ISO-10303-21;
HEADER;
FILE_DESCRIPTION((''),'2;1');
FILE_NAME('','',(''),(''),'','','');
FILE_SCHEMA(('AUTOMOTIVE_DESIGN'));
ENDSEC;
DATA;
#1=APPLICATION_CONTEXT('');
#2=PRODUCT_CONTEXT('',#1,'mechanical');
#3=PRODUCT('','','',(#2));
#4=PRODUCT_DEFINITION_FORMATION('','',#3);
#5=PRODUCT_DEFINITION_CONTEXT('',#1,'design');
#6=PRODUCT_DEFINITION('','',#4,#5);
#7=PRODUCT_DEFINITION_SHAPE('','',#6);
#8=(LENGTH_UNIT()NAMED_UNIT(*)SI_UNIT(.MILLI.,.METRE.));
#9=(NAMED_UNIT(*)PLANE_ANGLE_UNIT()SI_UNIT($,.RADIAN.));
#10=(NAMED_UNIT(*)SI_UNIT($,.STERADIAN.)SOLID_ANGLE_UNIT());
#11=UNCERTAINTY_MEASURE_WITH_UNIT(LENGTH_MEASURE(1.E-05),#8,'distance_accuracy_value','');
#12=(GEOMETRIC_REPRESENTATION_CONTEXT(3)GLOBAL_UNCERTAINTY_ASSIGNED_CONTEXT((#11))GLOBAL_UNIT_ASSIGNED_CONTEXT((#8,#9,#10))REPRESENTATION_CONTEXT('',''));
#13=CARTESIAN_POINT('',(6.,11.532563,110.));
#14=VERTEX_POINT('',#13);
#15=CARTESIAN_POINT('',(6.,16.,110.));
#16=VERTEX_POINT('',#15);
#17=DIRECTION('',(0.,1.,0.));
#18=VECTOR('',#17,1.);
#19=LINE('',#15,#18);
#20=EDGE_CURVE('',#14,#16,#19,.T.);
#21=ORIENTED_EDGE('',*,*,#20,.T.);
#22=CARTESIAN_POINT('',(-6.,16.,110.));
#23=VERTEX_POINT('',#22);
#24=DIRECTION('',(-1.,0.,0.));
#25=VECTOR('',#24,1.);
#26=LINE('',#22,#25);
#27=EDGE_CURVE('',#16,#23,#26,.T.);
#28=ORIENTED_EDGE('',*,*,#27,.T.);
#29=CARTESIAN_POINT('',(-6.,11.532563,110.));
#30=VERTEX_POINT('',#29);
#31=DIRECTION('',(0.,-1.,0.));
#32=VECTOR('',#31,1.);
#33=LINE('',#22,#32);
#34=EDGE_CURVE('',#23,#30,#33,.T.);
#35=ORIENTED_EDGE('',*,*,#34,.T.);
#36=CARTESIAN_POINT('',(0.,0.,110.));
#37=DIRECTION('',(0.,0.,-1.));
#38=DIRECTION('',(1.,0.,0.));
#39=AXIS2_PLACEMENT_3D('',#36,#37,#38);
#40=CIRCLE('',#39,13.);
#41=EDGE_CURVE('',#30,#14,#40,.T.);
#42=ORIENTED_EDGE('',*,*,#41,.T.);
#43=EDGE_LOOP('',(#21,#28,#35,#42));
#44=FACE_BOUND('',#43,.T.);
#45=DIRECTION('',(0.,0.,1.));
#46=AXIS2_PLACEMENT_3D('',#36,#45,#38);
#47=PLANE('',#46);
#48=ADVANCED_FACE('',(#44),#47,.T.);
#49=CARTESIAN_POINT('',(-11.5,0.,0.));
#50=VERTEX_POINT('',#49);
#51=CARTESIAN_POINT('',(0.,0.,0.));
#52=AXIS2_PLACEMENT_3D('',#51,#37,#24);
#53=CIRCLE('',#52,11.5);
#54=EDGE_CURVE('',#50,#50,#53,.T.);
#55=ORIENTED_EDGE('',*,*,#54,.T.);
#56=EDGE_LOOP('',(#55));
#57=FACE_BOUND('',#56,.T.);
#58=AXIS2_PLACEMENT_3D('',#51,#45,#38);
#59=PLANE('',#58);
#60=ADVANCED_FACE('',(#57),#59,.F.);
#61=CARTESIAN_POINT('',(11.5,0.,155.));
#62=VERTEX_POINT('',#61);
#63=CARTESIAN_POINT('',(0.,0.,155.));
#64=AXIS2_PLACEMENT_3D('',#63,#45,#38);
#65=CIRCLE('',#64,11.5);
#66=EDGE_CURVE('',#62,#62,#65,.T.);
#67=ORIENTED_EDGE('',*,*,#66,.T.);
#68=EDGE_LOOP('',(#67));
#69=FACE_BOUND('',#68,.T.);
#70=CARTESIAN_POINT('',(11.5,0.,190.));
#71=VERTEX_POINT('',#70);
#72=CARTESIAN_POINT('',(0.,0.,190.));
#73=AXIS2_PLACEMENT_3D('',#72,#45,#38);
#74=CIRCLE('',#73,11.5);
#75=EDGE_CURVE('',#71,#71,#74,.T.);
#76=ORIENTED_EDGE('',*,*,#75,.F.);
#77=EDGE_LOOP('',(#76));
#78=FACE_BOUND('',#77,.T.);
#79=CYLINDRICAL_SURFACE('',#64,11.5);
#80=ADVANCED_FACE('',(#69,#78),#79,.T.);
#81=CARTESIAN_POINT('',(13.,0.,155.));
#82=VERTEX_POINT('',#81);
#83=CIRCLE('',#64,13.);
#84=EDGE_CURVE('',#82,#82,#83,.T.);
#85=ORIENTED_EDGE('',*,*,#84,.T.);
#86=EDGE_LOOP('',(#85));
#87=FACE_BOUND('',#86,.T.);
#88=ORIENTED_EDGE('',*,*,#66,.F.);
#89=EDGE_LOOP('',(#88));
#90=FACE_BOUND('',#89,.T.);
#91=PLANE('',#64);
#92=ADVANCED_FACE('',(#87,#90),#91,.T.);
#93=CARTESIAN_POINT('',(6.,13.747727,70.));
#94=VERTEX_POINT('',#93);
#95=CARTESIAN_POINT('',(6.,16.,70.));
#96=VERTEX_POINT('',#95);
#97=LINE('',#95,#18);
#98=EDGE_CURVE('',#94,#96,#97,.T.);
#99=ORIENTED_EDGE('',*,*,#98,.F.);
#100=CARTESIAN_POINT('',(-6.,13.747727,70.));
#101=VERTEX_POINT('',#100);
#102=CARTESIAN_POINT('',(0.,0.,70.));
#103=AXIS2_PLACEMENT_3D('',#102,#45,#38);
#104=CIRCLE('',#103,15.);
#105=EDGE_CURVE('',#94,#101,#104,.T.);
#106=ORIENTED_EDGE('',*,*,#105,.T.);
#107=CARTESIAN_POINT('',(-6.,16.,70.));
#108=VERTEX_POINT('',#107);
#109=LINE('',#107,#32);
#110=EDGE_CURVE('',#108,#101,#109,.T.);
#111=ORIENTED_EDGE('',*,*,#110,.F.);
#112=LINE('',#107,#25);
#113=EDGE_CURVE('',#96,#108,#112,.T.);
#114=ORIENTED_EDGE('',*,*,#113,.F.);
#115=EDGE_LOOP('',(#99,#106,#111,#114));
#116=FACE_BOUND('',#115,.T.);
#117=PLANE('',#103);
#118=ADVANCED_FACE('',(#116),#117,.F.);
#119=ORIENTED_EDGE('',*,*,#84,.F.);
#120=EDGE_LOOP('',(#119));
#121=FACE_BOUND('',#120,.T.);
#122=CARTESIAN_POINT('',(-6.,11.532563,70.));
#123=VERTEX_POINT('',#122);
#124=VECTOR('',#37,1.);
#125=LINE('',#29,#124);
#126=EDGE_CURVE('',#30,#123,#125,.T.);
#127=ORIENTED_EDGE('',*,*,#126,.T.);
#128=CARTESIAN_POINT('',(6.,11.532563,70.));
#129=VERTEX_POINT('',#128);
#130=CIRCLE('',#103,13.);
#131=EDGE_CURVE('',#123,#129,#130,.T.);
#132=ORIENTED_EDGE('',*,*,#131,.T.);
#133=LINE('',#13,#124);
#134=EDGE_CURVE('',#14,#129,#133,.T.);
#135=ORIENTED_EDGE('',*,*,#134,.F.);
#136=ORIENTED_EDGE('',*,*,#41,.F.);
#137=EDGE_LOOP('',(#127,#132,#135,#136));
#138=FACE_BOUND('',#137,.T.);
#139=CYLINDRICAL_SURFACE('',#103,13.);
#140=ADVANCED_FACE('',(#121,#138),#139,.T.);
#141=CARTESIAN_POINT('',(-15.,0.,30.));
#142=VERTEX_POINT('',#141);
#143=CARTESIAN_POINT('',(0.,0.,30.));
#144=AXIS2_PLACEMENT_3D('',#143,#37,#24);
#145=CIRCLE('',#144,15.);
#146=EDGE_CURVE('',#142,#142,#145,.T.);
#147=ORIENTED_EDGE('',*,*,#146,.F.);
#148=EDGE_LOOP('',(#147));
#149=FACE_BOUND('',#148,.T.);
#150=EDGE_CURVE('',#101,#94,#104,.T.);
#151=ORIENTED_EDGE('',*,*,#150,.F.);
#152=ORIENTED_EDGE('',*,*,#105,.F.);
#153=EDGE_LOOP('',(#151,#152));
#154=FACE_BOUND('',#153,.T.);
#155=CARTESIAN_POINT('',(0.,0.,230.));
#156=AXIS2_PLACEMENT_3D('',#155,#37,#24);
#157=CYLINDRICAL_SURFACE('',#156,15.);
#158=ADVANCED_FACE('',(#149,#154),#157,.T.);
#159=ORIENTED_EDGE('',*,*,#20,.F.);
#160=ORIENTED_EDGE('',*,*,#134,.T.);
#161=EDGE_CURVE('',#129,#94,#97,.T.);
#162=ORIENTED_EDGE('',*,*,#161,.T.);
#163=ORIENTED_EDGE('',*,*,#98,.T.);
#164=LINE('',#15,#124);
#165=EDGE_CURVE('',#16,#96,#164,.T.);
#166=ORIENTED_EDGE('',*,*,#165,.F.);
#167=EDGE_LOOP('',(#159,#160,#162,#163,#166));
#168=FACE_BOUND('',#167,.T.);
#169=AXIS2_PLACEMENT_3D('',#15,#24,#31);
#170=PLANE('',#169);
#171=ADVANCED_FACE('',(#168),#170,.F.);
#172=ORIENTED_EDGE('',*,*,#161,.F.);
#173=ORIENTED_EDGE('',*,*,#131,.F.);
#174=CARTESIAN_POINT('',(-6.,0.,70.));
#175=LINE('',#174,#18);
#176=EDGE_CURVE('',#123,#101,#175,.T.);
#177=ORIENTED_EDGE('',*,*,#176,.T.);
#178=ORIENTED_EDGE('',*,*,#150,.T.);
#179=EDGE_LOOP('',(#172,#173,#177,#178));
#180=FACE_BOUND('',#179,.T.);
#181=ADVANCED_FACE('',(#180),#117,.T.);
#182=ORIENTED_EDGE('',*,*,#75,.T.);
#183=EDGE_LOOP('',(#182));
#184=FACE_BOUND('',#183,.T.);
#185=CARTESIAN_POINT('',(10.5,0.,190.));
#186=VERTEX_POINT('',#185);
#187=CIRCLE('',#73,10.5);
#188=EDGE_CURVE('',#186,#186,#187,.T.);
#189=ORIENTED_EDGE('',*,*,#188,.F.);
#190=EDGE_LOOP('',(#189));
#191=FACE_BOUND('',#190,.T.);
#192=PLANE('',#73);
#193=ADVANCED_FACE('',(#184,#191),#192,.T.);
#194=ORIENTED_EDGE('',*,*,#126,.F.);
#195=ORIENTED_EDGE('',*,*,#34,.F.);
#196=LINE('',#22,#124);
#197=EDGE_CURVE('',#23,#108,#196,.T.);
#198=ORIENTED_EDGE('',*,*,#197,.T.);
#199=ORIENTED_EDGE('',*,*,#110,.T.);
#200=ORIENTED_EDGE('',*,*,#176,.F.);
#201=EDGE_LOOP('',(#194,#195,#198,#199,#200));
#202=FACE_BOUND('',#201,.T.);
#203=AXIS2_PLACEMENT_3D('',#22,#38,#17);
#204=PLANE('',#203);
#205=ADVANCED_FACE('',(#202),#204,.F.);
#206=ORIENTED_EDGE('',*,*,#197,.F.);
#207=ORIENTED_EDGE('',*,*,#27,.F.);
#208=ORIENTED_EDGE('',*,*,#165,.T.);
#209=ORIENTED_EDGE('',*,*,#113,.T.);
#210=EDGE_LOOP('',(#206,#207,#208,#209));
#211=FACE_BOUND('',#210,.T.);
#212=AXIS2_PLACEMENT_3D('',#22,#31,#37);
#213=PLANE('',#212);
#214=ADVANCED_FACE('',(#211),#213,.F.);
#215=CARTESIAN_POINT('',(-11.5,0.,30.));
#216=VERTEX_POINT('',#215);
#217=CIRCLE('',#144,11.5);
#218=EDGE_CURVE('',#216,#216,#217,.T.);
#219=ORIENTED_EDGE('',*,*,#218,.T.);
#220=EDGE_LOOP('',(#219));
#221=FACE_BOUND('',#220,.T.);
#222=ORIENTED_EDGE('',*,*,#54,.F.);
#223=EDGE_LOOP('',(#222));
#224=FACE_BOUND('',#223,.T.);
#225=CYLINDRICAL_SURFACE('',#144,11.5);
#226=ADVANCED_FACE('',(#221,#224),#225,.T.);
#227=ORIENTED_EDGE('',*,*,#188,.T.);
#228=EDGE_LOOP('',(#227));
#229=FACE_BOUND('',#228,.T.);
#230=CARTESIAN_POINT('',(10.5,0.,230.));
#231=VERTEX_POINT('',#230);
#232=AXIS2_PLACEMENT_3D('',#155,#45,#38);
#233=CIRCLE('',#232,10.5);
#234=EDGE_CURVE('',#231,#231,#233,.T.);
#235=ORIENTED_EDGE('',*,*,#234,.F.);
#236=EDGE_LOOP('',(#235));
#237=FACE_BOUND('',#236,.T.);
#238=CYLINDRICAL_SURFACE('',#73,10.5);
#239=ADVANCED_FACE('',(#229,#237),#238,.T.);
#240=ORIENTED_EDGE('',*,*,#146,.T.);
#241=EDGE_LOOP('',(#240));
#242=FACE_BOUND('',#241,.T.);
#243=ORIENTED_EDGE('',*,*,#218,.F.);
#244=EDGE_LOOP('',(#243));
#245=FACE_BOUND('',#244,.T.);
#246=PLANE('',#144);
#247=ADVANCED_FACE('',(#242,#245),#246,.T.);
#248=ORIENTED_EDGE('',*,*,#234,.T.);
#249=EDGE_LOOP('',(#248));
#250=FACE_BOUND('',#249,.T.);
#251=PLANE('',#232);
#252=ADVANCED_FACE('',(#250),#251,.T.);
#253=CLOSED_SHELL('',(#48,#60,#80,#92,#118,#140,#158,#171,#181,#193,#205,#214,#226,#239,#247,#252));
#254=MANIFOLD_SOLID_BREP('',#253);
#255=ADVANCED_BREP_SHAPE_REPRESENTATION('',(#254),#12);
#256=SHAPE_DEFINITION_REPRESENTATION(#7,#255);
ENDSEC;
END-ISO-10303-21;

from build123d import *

# Parameters (mm, degrees)
SKETCH2_R           = 15
BOSS_EXTRUDE1_DEPTH = 230
CUT_EXTRUDE1_START  = -160
SKETCH3_R           = 15
SKETCH3_R_2         = 13
CUT_EXTRUDE1_DEPTH  = 160
CUT_EXTRUDE3_START  = -75
SKETCH4_R           = 13
SKETCH4_R_2         = 11.5
CUT_EXTRUDE3_DEPTH  = 75
CUT_EXTRUDE4_START  = -40
SKETCH5_R           = 11.5
SKETCH5_R_2         = 10.5
CUT_EXTRUDE4_DEPTH  = 40
SKETCH6_R           = 15
SKETCH6_R_2         = 11.5
CUT_EXTRUDE5_DEPTH  = 30
BOSS_EXTRUDE2_DEPTH = 40


with BuildPart() as part:
    # Sketch2 → Boss-Extrude1 (new body)
    with BuildSketch(Plane.XY):
        Circle(SKETCH2_R)
    extrude(amount=BOSS_EXTRUDE1_DEPTH)

    # Sketch3 → Cut-Extrude1 (cut)
    with BuildSketch(Plane.XY.offset(230).offset(CUT_EXTRUDE1_START)):
        Circle(SKETCH3_R)
        Circle(SKETCH3_R_2, mode=Mode.SUBTRACT)
    extrude(amount=CUT_EXTRUDE1_DEPTH, mode=Mode.SUBTRACT)

    # Sketch4 → Cut-Extrude3 (cut)
    with BuildSketch(Plane.XY.offset(230).offset(CUT_EXTRUDE3_START)):
        Circle(SKETCH4_R)
        Circle(SKETCH4_R_2, mode=Mode.SUBTRACT)
    extrude(amount=CUT_EXTRUDE3_DEPTH, mode=Mode.SUBTRACT)

    # Sketch5 → Cut-Extrude4 (cut)
    with BuildSketch(Plane.XY.offset(230).offset(CUT_EXTRUDE4_START)):
        Circle(SKETCH5_R)
        Circle(SKETCH5_R_2, mode=Mode.SUBTRACT)
    extrude(amount=CUT_EXTRUDE4_DEPTH, mode=Mode.SUBTRACT)

    # Sketch6 → Cut-Extrude5 (cut)
    with BuildSketch(Plane(origin=(0, 0, 0), x_dir=(-1, 0, 0), z_dir=(0, 0, -1))):
        Circle(SKETCH6_R)
        with Locations(Location((0, 0, 0), (0, 0, 180))):
            Circle(SKETCH6_R_2, mode=Mode.SUBTRACT)
    extrude(amount=-CUT_EXTRUDE5_DEPTH, mode=Mode.SUBTRACT)

    # Sketch8 → Boss-Extrude2 (add)
    with BuildSketch(Plane.XY.offset(70)):
        with BuildLine():
            Line((-6, 16), (6, 16))
            Line((6, 16), (6, 11.532562595))
            ThreePointArc((6, 11.532562595), (0, 13), (-6, 11.532562595))
            Line((-6, 11.532562595), (-6, 16))
        make_face()
    extrude(amount=BOSS_EXTRUDE2_DEPTH)


solid = part.part
